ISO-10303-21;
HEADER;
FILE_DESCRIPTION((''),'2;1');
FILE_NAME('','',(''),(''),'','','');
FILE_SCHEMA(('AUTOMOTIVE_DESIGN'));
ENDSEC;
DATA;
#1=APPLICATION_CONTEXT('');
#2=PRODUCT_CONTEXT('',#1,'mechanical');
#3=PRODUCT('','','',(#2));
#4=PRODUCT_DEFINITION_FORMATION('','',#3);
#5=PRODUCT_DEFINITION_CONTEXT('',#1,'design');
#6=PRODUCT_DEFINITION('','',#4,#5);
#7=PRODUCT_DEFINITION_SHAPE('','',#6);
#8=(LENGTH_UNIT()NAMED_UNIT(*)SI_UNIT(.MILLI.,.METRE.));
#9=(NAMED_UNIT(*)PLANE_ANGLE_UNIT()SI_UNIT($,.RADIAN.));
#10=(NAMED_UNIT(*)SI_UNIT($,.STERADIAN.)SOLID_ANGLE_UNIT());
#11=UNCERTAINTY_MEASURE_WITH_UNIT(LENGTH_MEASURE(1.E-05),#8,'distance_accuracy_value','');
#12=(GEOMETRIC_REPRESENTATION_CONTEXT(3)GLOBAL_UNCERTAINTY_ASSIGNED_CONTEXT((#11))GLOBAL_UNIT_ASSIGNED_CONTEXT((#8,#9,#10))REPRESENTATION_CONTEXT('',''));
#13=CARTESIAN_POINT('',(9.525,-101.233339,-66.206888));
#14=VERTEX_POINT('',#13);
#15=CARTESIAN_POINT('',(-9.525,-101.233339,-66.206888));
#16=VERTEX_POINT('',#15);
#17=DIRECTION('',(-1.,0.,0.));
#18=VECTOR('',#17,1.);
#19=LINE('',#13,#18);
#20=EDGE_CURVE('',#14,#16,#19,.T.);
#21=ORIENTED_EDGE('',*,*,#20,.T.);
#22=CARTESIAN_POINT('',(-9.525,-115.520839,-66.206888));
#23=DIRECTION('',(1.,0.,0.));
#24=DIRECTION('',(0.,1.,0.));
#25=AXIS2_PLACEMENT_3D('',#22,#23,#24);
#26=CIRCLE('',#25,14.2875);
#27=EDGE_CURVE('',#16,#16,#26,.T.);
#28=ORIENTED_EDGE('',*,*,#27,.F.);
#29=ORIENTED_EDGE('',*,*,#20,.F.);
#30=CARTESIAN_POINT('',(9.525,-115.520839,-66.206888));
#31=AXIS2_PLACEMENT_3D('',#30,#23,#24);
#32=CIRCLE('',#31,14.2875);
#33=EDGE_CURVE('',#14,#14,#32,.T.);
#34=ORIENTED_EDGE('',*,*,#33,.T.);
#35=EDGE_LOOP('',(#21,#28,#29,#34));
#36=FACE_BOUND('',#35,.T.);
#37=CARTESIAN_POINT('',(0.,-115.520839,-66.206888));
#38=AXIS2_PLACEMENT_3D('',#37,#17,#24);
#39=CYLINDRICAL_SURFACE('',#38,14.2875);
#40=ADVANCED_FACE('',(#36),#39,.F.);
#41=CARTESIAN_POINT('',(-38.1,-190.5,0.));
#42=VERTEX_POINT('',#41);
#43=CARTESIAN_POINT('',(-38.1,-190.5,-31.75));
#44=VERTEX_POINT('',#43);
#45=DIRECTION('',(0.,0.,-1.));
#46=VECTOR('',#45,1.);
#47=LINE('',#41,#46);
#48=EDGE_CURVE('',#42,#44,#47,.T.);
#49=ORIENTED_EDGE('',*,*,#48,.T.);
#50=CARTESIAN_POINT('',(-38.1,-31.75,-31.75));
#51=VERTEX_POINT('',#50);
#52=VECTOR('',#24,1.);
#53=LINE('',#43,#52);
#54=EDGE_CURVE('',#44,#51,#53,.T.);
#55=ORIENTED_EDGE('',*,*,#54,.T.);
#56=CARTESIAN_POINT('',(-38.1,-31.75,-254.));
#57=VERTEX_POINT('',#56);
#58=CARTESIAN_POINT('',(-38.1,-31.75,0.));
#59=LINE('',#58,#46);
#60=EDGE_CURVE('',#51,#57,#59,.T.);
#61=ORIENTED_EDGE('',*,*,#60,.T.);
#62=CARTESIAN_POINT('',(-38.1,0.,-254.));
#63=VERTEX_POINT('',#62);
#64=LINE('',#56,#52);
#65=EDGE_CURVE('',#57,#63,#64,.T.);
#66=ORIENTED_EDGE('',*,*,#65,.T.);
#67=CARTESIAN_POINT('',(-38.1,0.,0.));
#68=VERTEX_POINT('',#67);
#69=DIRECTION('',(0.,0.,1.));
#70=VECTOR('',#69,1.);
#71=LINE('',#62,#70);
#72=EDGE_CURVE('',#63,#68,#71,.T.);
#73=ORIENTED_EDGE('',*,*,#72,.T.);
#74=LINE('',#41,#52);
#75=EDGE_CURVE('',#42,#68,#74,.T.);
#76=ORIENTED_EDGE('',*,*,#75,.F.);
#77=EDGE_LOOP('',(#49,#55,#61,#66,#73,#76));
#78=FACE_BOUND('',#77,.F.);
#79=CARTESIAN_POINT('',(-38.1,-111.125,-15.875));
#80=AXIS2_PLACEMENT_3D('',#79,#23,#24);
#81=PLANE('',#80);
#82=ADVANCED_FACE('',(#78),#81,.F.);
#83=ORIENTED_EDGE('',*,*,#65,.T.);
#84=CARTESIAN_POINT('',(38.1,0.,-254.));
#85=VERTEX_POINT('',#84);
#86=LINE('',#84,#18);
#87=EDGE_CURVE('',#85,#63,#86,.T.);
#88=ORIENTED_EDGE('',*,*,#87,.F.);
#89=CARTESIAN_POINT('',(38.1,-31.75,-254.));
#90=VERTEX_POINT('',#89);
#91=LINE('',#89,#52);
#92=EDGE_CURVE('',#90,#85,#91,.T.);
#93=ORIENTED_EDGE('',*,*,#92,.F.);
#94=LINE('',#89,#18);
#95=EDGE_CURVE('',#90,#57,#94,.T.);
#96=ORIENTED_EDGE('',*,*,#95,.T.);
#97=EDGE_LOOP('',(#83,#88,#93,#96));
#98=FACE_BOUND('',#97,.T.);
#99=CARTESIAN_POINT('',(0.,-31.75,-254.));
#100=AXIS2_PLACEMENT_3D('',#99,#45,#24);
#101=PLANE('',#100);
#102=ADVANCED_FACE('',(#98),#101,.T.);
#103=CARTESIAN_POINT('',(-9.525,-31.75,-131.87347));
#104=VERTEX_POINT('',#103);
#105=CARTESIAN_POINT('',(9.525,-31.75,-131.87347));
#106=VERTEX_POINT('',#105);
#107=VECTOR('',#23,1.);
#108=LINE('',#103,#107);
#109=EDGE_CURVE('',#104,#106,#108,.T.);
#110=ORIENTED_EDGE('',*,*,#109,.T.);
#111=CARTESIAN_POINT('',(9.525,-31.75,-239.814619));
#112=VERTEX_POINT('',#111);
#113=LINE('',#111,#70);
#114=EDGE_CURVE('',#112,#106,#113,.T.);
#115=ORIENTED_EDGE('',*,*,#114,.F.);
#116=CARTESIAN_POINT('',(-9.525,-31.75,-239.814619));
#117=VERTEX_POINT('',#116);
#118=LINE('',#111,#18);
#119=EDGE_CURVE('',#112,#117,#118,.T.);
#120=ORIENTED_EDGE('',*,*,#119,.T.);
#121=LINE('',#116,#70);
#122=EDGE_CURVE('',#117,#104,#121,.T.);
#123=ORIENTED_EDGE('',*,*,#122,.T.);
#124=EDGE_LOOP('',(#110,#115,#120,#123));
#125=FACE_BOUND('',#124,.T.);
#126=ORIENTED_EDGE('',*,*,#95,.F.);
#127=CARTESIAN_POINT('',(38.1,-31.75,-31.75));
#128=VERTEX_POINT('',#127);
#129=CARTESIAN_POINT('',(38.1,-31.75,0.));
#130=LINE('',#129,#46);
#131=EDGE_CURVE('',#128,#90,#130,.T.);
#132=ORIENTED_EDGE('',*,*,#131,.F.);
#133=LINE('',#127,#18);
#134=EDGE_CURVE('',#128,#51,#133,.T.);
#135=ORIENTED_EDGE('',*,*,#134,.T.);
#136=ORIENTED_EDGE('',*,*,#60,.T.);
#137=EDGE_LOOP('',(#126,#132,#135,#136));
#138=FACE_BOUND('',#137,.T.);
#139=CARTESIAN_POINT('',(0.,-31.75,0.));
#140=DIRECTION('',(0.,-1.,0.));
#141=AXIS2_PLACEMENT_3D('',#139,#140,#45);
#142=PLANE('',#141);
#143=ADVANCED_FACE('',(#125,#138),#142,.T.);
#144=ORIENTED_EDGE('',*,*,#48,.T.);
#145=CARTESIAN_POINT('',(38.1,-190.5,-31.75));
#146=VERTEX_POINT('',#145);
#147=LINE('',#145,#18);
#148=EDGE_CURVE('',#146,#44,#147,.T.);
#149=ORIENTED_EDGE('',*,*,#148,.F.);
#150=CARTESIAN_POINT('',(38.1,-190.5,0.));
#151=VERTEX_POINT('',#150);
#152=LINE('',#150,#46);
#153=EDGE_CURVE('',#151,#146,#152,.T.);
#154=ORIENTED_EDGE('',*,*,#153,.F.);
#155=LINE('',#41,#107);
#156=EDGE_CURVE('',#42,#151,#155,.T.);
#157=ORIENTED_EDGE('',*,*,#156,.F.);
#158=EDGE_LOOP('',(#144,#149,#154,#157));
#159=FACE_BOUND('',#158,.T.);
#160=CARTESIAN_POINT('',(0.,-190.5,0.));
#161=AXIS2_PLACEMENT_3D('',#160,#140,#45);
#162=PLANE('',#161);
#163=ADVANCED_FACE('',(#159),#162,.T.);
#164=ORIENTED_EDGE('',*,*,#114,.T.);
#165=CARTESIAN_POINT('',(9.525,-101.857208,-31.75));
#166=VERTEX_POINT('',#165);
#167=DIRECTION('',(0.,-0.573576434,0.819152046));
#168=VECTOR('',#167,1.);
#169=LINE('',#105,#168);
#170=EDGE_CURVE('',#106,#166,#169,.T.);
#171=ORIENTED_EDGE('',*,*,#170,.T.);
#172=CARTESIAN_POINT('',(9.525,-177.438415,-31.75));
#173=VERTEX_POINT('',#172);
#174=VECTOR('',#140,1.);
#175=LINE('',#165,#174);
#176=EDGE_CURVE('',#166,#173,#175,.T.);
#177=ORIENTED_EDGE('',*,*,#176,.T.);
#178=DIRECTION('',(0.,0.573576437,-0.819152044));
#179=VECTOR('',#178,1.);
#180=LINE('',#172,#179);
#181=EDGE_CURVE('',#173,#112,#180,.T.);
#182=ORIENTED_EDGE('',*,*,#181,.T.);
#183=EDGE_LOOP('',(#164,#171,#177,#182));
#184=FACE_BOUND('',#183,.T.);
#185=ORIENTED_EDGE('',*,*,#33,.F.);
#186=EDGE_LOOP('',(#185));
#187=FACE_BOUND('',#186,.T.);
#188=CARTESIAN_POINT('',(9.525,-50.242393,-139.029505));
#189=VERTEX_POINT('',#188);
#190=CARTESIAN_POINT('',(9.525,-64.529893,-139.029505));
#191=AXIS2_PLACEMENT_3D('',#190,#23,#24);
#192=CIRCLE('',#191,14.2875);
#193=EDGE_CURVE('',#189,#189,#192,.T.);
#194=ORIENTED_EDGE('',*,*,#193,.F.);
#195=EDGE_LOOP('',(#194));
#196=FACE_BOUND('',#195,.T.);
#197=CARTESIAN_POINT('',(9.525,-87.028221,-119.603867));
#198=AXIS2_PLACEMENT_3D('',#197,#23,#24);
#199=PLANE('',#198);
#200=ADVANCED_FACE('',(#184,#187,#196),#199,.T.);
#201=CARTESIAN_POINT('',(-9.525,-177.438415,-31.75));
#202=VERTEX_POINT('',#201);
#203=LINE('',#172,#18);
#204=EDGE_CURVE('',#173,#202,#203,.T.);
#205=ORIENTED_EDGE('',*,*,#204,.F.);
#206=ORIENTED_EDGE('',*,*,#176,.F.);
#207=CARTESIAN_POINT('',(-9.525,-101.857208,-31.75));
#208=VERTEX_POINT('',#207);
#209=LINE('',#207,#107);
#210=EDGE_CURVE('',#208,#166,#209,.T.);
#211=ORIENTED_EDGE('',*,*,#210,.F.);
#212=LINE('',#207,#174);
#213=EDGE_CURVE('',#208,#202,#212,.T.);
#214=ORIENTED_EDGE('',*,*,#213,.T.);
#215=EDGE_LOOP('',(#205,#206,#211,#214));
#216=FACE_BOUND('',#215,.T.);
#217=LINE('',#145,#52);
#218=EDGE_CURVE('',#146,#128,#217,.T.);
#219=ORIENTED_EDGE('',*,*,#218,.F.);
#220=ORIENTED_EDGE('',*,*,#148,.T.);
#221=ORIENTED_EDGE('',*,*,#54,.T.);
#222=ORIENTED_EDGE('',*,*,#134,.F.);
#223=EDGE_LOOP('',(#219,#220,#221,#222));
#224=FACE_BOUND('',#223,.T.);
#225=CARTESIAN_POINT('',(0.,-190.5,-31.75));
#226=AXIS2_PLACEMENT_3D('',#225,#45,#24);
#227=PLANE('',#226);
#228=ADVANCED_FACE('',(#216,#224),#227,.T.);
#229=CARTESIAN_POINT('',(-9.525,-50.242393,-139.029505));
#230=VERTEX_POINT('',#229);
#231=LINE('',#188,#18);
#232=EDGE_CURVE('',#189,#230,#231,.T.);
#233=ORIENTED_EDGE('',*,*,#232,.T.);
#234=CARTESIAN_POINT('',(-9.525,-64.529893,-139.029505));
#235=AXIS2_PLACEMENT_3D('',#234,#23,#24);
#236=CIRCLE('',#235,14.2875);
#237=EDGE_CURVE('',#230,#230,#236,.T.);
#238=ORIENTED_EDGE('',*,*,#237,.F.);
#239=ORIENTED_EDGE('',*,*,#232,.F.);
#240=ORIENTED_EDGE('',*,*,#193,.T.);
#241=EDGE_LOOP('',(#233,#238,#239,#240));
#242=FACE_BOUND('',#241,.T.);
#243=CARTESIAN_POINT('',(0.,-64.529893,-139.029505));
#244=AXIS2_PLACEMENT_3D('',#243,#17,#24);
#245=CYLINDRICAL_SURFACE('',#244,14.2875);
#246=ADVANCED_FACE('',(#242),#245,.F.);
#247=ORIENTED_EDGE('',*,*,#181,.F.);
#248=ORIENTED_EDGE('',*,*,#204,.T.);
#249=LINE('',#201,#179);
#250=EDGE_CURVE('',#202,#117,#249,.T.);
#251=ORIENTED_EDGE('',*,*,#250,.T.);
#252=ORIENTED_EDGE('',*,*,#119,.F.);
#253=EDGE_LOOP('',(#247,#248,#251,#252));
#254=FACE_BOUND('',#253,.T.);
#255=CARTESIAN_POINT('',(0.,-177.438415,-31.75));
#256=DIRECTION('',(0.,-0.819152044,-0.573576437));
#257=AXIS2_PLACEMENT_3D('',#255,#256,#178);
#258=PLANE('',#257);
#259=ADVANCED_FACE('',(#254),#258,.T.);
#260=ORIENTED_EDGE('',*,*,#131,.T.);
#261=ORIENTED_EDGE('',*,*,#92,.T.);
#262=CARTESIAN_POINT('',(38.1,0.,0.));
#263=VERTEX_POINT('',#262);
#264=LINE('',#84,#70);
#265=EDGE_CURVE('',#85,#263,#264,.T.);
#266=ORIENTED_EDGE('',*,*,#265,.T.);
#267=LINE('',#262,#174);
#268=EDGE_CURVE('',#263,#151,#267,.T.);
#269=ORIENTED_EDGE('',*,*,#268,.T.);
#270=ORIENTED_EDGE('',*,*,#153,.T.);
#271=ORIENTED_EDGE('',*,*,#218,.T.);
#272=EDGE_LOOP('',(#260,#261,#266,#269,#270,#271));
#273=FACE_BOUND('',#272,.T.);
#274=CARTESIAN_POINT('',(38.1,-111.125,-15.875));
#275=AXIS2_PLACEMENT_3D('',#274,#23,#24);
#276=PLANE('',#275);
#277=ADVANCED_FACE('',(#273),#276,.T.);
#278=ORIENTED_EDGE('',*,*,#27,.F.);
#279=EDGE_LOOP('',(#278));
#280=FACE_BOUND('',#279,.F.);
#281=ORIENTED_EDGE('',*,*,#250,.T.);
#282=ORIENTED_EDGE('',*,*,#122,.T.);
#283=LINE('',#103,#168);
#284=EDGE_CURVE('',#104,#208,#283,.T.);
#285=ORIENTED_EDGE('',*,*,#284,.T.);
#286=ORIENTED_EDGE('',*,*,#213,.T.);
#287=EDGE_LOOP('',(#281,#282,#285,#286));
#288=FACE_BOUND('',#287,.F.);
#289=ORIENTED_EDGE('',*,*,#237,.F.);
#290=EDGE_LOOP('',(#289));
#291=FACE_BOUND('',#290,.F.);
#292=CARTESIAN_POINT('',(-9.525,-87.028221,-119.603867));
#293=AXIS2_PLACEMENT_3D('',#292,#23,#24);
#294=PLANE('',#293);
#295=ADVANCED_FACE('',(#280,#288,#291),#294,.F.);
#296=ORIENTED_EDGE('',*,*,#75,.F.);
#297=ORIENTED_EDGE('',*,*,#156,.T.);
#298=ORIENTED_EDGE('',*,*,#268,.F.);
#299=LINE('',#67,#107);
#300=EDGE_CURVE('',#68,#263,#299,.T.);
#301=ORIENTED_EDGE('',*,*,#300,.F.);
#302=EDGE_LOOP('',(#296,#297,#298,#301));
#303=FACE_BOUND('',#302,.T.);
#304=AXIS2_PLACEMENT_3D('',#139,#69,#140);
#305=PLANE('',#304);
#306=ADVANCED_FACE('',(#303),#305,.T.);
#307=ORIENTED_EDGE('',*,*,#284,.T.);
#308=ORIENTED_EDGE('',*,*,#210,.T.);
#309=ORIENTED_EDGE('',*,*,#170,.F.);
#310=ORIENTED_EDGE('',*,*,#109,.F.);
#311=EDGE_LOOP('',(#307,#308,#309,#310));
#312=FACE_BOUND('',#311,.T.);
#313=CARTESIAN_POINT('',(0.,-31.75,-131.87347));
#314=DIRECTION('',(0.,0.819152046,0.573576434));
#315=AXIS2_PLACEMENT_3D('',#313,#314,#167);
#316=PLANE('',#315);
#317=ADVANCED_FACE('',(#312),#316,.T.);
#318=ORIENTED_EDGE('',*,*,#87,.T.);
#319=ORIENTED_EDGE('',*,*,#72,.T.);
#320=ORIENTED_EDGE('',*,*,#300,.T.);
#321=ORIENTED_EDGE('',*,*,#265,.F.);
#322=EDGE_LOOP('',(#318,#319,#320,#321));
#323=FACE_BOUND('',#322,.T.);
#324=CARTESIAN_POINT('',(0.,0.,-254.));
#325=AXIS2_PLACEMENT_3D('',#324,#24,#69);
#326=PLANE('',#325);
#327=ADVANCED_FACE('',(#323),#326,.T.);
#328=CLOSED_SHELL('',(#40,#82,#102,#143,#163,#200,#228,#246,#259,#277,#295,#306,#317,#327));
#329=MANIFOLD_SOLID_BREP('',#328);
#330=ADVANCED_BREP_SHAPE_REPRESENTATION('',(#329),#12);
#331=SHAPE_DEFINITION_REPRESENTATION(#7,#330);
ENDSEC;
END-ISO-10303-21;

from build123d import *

# Parameters (mm, degrees)
F1_DEPTH = 38.1
F2_DEPTH = 38.1
F0_R     = 14.2875
F3_DEPTH = 9.525


with BuildPart() as f1:
    # F0 (on Right) → F1 (new body, symmetric)
    with BuildSketch(Plane.YZ):
        Polygon((0, -254), (0, 0), (-31.75, 0), (-31.75, -31.75), (-31.75, -131.87347), (-31.75, -239.814619), (-31.75, -254), align=None)
    extrude(amount=F1_DEPTH, both=True)

    # F0 (on Right) → F2 (join, symmetric)
    with BuildSketch(Plane.YZ):
        Polygon((-31.75, -31.75), (-31.75, 0), (-190.5, 0), (-190.5, -31.75), (-177.438415, -31.75), (-101.857208, -31.75), align=None)
    extrude(amount=F2_DEPTH, both=True)

    # F0 (on Right) → F3 (join, symmetric)
    with BuildSketch(Plane.YZ):
        Polygon((-31.75, -239.814619), (-31.75, -131.87347), (-101.857208, -31.75), (-177.438415, -31.75), align=None)
        with Locations((-64.529893, -139.029505)):
            Circle(F0_R, mode=Mode.SUBTRACT)
        with Locations((-115.520839, -66.206888)):
            Circle(F0_R, mode=Mode.SUBTRACT)
    extrude(amount=F3_DEPTH, both=True)


solid = f1.part
